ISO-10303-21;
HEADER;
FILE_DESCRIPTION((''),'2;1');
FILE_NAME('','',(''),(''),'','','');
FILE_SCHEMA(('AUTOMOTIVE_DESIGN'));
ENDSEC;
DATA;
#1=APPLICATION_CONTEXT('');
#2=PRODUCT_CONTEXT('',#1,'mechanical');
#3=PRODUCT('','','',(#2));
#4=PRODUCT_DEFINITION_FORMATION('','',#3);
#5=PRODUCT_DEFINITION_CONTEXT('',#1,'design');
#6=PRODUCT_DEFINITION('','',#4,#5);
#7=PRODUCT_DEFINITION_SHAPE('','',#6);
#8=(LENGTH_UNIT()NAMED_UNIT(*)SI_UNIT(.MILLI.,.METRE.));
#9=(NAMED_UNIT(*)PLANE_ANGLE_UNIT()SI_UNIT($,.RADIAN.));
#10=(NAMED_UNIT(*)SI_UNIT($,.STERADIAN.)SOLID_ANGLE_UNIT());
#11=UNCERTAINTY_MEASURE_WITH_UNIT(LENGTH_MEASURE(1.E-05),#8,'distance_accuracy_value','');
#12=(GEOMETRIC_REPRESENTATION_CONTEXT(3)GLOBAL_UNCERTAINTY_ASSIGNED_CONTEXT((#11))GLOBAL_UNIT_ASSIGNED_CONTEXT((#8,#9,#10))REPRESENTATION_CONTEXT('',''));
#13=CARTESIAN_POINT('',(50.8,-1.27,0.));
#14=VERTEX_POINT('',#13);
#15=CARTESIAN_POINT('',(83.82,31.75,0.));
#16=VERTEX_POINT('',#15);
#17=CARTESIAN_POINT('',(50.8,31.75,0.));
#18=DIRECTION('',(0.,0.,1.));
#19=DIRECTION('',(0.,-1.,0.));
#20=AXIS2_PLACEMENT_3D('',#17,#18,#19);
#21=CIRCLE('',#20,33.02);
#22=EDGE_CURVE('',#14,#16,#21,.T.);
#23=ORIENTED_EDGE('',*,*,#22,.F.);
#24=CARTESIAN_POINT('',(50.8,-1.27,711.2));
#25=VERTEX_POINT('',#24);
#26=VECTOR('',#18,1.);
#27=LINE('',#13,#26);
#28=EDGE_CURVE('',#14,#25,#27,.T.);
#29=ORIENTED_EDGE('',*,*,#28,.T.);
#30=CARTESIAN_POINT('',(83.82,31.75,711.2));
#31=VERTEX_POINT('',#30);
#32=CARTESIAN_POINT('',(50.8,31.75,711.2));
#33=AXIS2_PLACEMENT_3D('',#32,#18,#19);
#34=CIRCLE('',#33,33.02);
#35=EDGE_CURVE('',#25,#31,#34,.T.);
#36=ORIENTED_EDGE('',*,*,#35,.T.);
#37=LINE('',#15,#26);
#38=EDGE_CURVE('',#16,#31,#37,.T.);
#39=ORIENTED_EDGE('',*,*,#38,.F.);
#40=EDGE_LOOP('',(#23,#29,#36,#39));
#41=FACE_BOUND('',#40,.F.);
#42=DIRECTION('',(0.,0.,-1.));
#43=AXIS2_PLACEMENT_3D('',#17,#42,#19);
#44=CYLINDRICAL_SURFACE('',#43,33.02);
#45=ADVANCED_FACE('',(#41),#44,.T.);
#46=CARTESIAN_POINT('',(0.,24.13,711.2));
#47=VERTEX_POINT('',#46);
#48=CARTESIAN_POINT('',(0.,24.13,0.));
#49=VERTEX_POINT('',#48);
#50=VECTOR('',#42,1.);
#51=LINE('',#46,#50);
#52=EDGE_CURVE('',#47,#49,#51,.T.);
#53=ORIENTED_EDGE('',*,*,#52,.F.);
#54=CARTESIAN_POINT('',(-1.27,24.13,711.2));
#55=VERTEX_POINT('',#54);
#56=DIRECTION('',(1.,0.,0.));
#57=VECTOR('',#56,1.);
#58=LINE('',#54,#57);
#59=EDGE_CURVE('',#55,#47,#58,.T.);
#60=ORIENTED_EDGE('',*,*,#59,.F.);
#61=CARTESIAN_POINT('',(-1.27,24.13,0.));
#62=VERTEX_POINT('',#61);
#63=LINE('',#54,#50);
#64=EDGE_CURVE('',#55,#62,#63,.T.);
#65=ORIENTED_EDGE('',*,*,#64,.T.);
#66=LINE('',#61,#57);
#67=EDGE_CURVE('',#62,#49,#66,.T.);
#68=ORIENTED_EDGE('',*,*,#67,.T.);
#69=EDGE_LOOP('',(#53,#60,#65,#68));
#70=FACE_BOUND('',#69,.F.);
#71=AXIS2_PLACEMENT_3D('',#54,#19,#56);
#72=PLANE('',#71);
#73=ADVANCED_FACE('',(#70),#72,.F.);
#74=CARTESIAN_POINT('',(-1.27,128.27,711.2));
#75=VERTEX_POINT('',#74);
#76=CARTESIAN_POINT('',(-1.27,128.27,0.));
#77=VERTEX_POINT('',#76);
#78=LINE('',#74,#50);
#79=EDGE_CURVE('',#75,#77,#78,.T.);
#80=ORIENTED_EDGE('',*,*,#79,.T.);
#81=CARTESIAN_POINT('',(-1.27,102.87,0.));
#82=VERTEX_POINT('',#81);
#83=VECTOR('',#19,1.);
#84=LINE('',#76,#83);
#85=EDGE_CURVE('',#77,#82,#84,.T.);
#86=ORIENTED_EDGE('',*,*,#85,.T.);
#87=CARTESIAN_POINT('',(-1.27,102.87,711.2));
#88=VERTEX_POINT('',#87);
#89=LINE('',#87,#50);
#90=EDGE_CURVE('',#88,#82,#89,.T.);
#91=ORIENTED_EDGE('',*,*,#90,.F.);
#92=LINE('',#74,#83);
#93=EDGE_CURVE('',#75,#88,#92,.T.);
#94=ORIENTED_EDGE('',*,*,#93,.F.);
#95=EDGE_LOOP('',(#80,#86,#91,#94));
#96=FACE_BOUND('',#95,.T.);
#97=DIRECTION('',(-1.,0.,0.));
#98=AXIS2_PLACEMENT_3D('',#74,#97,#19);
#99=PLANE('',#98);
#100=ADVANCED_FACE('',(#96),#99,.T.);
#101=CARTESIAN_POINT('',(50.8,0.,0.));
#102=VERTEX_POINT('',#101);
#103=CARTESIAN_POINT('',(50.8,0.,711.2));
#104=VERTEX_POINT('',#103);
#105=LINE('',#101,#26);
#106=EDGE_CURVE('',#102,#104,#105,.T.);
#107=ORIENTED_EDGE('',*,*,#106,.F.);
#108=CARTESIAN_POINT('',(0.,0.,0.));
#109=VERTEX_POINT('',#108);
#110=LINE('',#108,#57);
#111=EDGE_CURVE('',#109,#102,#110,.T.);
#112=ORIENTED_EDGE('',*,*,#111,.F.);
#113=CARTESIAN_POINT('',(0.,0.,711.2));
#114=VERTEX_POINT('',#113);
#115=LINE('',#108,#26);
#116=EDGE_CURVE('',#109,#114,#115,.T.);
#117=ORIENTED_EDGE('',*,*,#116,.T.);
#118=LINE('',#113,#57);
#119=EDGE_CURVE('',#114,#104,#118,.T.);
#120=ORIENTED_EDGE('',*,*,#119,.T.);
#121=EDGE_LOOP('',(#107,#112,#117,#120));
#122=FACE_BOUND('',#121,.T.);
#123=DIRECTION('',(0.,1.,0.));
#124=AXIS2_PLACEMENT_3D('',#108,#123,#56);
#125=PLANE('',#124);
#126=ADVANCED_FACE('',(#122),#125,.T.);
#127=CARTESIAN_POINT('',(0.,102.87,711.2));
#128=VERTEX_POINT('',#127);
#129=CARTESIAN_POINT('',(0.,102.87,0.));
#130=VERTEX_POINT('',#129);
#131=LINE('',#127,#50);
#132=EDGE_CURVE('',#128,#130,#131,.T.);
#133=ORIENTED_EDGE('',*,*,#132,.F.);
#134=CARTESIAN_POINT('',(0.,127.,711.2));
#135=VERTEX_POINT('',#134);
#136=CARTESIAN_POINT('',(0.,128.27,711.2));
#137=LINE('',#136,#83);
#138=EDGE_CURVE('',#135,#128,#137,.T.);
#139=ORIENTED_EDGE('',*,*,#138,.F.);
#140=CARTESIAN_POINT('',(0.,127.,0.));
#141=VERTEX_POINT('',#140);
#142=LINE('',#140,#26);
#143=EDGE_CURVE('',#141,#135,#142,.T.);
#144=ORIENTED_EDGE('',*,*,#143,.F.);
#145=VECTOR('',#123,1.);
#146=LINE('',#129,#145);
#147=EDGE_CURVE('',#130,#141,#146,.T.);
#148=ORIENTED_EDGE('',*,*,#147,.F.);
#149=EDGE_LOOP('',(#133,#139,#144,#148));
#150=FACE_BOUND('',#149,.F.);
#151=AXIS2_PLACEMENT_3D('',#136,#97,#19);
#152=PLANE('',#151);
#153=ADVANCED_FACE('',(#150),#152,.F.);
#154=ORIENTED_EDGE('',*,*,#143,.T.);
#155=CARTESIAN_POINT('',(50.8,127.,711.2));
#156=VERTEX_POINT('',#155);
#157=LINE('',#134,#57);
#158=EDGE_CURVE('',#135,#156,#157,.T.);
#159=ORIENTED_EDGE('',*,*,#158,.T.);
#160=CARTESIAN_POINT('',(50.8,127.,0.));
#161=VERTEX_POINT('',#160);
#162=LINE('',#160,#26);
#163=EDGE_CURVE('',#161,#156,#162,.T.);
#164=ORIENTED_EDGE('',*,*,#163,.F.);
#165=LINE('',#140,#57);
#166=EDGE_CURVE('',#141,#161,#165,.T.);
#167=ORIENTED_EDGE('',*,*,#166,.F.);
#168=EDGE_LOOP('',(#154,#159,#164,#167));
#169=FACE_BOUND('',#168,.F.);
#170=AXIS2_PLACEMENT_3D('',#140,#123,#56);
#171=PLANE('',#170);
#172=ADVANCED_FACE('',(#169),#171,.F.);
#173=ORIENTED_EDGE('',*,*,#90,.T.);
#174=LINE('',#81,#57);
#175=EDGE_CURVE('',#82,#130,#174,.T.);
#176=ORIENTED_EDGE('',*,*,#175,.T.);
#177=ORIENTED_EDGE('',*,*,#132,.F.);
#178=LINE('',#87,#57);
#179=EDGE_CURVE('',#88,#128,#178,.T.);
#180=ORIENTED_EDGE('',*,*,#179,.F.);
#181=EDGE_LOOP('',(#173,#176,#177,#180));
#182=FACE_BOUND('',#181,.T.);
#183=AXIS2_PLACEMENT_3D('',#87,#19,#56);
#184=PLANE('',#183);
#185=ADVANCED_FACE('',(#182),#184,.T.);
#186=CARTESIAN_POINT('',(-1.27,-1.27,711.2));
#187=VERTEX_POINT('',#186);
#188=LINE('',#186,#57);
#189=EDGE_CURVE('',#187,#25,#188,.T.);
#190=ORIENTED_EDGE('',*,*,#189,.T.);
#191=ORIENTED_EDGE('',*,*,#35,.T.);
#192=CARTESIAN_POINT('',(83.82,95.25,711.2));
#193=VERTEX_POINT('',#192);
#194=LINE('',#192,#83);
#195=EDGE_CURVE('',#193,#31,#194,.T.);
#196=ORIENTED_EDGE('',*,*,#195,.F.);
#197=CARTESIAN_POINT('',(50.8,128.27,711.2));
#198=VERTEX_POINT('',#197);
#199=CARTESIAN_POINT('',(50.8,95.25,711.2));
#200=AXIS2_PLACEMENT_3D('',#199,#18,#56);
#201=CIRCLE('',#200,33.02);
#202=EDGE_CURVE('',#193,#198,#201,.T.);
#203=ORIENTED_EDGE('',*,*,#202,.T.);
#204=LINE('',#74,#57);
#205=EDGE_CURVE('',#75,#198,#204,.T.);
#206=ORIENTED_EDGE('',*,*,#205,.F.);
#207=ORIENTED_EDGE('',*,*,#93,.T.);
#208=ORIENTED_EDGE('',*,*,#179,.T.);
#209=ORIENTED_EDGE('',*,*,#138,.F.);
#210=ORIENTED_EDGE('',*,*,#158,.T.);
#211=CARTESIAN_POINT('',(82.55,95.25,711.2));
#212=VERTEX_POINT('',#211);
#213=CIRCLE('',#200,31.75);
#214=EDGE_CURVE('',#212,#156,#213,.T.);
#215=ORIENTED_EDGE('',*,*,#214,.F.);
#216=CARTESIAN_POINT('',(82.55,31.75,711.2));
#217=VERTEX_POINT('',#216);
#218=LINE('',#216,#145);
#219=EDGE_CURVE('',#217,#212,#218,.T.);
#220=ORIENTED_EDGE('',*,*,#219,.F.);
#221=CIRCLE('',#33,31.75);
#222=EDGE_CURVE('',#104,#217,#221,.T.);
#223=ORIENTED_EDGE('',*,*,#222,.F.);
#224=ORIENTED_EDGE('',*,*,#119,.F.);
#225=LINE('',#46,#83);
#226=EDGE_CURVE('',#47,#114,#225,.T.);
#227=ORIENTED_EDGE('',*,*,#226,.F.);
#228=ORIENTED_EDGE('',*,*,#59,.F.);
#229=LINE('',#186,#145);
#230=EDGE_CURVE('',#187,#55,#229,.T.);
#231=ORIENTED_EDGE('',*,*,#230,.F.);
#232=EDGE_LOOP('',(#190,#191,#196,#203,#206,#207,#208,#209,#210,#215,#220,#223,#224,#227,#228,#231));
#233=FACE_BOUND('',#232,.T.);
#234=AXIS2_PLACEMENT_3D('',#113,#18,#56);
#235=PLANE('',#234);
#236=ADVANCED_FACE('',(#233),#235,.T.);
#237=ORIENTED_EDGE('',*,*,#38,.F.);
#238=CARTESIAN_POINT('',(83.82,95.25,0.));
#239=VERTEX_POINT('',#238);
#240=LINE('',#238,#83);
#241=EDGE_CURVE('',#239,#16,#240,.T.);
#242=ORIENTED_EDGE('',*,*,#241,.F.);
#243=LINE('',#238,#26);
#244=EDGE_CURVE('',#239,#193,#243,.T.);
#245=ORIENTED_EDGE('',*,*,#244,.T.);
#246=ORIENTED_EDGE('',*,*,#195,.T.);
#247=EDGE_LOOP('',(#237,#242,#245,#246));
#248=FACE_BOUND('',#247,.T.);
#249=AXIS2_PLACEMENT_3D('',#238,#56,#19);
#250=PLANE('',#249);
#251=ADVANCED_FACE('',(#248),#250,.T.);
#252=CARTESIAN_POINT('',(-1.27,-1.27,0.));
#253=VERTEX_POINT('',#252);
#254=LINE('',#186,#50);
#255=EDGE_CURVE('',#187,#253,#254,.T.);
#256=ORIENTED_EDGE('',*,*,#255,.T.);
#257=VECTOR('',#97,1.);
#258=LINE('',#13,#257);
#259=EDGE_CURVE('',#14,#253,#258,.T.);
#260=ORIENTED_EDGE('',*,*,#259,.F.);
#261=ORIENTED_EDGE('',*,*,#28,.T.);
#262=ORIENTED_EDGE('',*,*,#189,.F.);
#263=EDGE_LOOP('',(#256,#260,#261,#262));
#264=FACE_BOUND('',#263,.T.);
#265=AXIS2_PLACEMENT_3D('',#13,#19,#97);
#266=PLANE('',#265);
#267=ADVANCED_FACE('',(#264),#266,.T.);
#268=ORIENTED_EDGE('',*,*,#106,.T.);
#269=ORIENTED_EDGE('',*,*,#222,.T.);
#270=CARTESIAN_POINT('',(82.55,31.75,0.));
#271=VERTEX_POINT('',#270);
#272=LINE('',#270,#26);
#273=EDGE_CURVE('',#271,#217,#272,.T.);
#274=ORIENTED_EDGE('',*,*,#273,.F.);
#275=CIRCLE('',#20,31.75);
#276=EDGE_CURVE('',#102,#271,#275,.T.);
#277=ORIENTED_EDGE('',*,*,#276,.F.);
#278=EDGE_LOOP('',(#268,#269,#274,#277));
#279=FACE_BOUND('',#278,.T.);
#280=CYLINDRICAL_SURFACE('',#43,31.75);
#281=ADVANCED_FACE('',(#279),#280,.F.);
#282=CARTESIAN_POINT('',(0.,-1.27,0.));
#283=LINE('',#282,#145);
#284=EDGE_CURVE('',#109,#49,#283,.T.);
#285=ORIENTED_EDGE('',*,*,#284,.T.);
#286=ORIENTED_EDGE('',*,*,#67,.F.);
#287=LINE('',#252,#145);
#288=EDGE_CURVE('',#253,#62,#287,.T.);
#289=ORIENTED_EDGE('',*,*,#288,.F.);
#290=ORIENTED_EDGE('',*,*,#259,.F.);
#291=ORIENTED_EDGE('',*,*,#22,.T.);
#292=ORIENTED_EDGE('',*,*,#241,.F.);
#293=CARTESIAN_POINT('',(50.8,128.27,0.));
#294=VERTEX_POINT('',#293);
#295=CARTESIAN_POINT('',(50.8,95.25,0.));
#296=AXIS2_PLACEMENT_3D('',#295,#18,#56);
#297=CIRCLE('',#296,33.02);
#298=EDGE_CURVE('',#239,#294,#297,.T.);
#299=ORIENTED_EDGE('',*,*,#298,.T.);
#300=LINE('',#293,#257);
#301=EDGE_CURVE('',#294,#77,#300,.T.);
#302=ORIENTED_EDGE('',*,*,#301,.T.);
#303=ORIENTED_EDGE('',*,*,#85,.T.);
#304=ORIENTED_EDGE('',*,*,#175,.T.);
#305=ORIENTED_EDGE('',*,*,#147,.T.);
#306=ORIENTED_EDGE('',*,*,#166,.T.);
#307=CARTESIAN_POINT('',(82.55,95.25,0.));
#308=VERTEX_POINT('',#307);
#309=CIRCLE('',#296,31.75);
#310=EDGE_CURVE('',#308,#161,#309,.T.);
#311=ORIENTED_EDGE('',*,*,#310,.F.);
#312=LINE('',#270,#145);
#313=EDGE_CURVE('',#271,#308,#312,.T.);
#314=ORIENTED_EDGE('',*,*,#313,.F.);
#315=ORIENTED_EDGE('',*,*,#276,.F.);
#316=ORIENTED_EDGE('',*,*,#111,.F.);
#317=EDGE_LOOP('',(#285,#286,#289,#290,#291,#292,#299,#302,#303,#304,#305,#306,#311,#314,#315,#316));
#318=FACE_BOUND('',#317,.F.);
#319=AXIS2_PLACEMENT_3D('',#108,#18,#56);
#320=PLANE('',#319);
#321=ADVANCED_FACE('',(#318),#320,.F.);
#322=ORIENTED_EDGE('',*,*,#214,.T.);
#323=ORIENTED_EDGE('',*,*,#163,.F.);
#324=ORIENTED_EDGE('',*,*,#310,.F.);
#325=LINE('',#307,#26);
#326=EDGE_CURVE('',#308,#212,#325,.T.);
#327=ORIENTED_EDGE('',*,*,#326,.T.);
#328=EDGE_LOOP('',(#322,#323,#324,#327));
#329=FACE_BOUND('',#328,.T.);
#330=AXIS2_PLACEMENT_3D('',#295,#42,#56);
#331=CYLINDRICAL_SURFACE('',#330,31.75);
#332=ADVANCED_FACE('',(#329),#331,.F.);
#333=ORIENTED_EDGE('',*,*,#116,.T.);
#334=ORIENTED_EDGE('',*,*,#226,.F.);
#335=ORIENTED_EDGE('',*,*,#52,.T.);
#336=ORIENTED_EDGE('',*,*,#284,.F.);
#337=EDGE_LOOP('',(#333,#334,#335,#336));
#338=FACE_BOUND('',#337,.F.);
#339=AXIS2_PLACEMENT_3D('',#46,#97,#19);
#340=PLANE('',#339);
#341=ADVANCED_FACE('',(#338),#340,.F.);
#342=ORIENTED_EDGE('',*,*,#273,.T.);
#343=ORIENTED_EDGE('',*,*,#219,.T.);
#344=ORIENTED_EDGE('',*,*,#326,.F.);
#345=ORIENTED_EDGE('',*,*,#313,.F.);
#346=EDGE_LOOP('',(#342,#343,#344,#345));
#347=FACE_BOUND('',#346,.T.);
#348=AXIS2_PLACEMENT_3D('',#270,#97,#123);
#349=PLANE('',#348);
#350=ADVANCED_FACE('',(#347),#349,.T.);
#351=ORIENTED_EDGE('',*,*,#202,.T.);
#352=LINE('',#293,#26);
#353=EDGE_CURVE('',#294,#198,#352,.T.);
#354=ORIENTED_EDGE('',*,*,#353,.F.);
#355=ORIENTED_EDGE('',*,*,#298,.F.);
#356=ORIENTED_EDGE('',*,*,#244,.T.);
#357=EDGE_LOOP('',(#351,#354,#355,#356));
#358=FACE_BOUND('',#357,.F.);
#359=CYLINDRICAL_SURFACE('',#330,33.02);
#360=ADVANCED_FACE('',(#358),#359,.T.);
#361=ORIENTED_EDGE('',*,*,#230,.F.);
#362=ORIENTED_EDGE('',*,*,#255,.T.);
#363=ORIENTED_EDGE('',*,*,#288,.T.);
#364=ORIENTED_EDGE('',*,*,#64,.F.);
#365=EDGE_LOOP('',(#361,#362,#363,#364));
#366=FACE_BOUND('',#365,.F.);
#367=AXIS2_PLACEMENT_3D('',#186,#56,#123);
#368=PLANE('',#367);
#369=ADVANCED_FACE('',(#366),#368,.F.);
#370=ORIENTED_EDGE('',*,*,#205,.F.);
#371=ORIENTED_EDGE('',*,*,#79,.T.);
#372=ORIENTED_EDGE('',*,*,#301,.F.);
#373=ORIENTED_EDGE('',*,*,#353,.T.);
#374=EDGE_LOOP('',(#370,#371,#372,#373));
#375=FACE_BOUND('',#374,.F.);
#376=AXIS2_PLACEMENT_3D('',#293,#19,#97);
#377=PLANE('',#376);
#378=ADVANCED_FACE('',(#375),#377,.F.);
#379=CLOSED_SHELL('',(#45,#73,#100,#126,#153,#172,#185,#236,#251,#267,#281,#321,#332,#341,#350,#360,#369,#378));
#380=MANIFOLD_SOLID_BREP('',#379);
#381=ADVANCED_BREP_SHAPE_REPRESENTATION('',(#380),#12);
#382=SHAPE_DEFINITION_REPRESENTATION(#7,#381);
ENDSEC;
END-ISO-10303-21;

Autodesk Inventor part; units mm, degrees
ref_plane "YZ Plane" through (0, 0, 0) normal (1, 0, 0) x (0, 1, 0)
ref_plane "XZ Plane" through (0, 0, 0) normal (0, 1, 0) x (-1, 0, 0)
ref_plane "XY Plane" through (0, 0, 0) normal (0, 0, 1) x (1, 0, 0)
sketch "Sketch1" plane through (0, 0, 0) normal (0, 0, 1) x (1, 0, 0)
  line L0 (0, 0) -> (19.05, 0) construction
  line L1 (19.05, 0) -> (19.05, 127) construction
  line L2 (19.05, 127) -> (0, 127) construction
  line L3 (0, 127) -> (0, 0) construction
  line L4 (19.05, 127) -> (82.55, 127) construction
  line L5 (82.55, 127) -> (82.55, 0) construction
  line L6 (82.55, 0) -> (19.05, 0) construction
  line L7 (19.05, 0) -> (19.05, 127) construction
  line L8 (0, 127) -> (50.8, 127)
  line L9 (50.8, 127) -> (50.8, 128.27)
  line L10 (50.8, 128.27) -> (0, 128.27)
  line L11 (0, 128.27) -> (0, 127)
  line L12 (0, 0) -> (50.8, 0)
  line L13 (50.8, 0) -> (50.8, -1.27)
  line L14 (50.8, -1.27) -> (0, -1.27)
  line L15 (0, -1.27) -> (0, 0)
  arc A0 (50.8, 0) -> (82.55, 31.75) centre (50.8, 31.75) ccw
  line L16 (50.8, 0) -> (82.55, 31.75) construction
  line L17 (50.8, 0) -> (95.7013, 0) construction
  arc A1 (82.55, 95.25) -> (50.8, 127) centre (50.8, 95.25) ccw
  line L18 (50.8, 127) -> (82.55, 95.25) construction
  line L19 (50.8, 127) -> (95.7013, 127) construction
  line L20 (82.55, 95.25) -> (83.82, 95.25)
  line L21 (83.82, 95.25) -> (83.82, 31.75)
  line L22 (83.82, 31.75) -> (82.55, 31.75)
  line L23 (82.55, 31.75) -> (82.55, 95.25)
  arc A2 (83.82, 95.25) -> (50.8, 128.27) centre (50.8, 95.25) ccw
  arc A3 (50.8, -1.27) -> (83.82, 31.75) centre (50.8, 31.75) ccw
  line L24 (82.55, 31.75) -> (83.82, 31.75)
  dimension "d0" = 19.05
  dimension "d1" = 127
  dimension "d2" = 63.5
  dimension "d3" = 127
  dimension "d4" = 50.8
  dimension "d5" = 1.27
  dimension "d6" = 50.8
  dimension "d7" = 1.27
  dimension "d8" = 45
  dimension "d9" = 31.75
  dimension "d10" = 45
  dimension "d11" = 31.75
  dimension "d12" = 1.27
  dimension "d13" = 63.5
  dimension "d14" = 33.02
  dimension "d15" = 33.02
extrude "Extrusion1" add sketch "Sketch1" along normal blind 711.2
sketch "Sketch2" plane through (0, 0, 711.2) normal (0, 0, 1) x (1, 0, 0)
  line L0 (50.8, 128.27) -> (0, 128.27) projected
  line L1 (0, 128.27) -> (0, 127) projected
  line L2 (0, 127) -> (50.8, 127) projected
  arc A0 (82.55, 95.25) -> (50.8, 127) centre (50.8, 95.25) ccw projected
  line L3 (82.55, 95.25) -> (82.55, 31.75) projected
  arc A1 (50.8, 0) -> (82.55, 31.75) centre (50.8, 31.75) ccw projected
  line L4 (50.8, 0) -> (0, 0) projected
  line L5 (0, 0) -> (0, -1.27) projected
  line L6 (0, -1.27) -> (50.8, -1.27) projected
  arc A2 (50.8, -1.27) -> (83.82, 31.75) centre (50.8, 31.75) ccw projected
  line L7 (83.82, 31.75) -> (83.82, 95.25) projected
  arc A3 (83.82, 95.25) -> (50.8, 128.27) centre (50.8, 95.25) ccw projected
  line L8 (0, 128.27) -> (-1.27, 128.27)
  line L9 (-1.27, 128.27) -> (-1.27, 102.87)
  line L10 (-1.27, 102.87) -> (0, 102.87)
  line L11 (0, 102.87) -> (0, 128.27)
  line L12 (0, -1.27) -> (-1.27, -1.27)
  line L13 (-1.27, -1.27) -> (-1.27, 24.13)
  line L14 (-1.27, 24.13) -> (0, 24.13)
  line L15 (0, 24.13) -> (0, -1.27)
  dimension "d18" = 1.27
  dimension "d19" = 25.4
  dimension "d20" = 1.27
  dimension "d21" = 25.4
extrude "Extrusion2" add sketch "Sketch2" against normal blind 711.2 contours L1 L11 L10 L9 L8 | L12 L13 L14 L15 L5
properties part number "bumper_cloth"
